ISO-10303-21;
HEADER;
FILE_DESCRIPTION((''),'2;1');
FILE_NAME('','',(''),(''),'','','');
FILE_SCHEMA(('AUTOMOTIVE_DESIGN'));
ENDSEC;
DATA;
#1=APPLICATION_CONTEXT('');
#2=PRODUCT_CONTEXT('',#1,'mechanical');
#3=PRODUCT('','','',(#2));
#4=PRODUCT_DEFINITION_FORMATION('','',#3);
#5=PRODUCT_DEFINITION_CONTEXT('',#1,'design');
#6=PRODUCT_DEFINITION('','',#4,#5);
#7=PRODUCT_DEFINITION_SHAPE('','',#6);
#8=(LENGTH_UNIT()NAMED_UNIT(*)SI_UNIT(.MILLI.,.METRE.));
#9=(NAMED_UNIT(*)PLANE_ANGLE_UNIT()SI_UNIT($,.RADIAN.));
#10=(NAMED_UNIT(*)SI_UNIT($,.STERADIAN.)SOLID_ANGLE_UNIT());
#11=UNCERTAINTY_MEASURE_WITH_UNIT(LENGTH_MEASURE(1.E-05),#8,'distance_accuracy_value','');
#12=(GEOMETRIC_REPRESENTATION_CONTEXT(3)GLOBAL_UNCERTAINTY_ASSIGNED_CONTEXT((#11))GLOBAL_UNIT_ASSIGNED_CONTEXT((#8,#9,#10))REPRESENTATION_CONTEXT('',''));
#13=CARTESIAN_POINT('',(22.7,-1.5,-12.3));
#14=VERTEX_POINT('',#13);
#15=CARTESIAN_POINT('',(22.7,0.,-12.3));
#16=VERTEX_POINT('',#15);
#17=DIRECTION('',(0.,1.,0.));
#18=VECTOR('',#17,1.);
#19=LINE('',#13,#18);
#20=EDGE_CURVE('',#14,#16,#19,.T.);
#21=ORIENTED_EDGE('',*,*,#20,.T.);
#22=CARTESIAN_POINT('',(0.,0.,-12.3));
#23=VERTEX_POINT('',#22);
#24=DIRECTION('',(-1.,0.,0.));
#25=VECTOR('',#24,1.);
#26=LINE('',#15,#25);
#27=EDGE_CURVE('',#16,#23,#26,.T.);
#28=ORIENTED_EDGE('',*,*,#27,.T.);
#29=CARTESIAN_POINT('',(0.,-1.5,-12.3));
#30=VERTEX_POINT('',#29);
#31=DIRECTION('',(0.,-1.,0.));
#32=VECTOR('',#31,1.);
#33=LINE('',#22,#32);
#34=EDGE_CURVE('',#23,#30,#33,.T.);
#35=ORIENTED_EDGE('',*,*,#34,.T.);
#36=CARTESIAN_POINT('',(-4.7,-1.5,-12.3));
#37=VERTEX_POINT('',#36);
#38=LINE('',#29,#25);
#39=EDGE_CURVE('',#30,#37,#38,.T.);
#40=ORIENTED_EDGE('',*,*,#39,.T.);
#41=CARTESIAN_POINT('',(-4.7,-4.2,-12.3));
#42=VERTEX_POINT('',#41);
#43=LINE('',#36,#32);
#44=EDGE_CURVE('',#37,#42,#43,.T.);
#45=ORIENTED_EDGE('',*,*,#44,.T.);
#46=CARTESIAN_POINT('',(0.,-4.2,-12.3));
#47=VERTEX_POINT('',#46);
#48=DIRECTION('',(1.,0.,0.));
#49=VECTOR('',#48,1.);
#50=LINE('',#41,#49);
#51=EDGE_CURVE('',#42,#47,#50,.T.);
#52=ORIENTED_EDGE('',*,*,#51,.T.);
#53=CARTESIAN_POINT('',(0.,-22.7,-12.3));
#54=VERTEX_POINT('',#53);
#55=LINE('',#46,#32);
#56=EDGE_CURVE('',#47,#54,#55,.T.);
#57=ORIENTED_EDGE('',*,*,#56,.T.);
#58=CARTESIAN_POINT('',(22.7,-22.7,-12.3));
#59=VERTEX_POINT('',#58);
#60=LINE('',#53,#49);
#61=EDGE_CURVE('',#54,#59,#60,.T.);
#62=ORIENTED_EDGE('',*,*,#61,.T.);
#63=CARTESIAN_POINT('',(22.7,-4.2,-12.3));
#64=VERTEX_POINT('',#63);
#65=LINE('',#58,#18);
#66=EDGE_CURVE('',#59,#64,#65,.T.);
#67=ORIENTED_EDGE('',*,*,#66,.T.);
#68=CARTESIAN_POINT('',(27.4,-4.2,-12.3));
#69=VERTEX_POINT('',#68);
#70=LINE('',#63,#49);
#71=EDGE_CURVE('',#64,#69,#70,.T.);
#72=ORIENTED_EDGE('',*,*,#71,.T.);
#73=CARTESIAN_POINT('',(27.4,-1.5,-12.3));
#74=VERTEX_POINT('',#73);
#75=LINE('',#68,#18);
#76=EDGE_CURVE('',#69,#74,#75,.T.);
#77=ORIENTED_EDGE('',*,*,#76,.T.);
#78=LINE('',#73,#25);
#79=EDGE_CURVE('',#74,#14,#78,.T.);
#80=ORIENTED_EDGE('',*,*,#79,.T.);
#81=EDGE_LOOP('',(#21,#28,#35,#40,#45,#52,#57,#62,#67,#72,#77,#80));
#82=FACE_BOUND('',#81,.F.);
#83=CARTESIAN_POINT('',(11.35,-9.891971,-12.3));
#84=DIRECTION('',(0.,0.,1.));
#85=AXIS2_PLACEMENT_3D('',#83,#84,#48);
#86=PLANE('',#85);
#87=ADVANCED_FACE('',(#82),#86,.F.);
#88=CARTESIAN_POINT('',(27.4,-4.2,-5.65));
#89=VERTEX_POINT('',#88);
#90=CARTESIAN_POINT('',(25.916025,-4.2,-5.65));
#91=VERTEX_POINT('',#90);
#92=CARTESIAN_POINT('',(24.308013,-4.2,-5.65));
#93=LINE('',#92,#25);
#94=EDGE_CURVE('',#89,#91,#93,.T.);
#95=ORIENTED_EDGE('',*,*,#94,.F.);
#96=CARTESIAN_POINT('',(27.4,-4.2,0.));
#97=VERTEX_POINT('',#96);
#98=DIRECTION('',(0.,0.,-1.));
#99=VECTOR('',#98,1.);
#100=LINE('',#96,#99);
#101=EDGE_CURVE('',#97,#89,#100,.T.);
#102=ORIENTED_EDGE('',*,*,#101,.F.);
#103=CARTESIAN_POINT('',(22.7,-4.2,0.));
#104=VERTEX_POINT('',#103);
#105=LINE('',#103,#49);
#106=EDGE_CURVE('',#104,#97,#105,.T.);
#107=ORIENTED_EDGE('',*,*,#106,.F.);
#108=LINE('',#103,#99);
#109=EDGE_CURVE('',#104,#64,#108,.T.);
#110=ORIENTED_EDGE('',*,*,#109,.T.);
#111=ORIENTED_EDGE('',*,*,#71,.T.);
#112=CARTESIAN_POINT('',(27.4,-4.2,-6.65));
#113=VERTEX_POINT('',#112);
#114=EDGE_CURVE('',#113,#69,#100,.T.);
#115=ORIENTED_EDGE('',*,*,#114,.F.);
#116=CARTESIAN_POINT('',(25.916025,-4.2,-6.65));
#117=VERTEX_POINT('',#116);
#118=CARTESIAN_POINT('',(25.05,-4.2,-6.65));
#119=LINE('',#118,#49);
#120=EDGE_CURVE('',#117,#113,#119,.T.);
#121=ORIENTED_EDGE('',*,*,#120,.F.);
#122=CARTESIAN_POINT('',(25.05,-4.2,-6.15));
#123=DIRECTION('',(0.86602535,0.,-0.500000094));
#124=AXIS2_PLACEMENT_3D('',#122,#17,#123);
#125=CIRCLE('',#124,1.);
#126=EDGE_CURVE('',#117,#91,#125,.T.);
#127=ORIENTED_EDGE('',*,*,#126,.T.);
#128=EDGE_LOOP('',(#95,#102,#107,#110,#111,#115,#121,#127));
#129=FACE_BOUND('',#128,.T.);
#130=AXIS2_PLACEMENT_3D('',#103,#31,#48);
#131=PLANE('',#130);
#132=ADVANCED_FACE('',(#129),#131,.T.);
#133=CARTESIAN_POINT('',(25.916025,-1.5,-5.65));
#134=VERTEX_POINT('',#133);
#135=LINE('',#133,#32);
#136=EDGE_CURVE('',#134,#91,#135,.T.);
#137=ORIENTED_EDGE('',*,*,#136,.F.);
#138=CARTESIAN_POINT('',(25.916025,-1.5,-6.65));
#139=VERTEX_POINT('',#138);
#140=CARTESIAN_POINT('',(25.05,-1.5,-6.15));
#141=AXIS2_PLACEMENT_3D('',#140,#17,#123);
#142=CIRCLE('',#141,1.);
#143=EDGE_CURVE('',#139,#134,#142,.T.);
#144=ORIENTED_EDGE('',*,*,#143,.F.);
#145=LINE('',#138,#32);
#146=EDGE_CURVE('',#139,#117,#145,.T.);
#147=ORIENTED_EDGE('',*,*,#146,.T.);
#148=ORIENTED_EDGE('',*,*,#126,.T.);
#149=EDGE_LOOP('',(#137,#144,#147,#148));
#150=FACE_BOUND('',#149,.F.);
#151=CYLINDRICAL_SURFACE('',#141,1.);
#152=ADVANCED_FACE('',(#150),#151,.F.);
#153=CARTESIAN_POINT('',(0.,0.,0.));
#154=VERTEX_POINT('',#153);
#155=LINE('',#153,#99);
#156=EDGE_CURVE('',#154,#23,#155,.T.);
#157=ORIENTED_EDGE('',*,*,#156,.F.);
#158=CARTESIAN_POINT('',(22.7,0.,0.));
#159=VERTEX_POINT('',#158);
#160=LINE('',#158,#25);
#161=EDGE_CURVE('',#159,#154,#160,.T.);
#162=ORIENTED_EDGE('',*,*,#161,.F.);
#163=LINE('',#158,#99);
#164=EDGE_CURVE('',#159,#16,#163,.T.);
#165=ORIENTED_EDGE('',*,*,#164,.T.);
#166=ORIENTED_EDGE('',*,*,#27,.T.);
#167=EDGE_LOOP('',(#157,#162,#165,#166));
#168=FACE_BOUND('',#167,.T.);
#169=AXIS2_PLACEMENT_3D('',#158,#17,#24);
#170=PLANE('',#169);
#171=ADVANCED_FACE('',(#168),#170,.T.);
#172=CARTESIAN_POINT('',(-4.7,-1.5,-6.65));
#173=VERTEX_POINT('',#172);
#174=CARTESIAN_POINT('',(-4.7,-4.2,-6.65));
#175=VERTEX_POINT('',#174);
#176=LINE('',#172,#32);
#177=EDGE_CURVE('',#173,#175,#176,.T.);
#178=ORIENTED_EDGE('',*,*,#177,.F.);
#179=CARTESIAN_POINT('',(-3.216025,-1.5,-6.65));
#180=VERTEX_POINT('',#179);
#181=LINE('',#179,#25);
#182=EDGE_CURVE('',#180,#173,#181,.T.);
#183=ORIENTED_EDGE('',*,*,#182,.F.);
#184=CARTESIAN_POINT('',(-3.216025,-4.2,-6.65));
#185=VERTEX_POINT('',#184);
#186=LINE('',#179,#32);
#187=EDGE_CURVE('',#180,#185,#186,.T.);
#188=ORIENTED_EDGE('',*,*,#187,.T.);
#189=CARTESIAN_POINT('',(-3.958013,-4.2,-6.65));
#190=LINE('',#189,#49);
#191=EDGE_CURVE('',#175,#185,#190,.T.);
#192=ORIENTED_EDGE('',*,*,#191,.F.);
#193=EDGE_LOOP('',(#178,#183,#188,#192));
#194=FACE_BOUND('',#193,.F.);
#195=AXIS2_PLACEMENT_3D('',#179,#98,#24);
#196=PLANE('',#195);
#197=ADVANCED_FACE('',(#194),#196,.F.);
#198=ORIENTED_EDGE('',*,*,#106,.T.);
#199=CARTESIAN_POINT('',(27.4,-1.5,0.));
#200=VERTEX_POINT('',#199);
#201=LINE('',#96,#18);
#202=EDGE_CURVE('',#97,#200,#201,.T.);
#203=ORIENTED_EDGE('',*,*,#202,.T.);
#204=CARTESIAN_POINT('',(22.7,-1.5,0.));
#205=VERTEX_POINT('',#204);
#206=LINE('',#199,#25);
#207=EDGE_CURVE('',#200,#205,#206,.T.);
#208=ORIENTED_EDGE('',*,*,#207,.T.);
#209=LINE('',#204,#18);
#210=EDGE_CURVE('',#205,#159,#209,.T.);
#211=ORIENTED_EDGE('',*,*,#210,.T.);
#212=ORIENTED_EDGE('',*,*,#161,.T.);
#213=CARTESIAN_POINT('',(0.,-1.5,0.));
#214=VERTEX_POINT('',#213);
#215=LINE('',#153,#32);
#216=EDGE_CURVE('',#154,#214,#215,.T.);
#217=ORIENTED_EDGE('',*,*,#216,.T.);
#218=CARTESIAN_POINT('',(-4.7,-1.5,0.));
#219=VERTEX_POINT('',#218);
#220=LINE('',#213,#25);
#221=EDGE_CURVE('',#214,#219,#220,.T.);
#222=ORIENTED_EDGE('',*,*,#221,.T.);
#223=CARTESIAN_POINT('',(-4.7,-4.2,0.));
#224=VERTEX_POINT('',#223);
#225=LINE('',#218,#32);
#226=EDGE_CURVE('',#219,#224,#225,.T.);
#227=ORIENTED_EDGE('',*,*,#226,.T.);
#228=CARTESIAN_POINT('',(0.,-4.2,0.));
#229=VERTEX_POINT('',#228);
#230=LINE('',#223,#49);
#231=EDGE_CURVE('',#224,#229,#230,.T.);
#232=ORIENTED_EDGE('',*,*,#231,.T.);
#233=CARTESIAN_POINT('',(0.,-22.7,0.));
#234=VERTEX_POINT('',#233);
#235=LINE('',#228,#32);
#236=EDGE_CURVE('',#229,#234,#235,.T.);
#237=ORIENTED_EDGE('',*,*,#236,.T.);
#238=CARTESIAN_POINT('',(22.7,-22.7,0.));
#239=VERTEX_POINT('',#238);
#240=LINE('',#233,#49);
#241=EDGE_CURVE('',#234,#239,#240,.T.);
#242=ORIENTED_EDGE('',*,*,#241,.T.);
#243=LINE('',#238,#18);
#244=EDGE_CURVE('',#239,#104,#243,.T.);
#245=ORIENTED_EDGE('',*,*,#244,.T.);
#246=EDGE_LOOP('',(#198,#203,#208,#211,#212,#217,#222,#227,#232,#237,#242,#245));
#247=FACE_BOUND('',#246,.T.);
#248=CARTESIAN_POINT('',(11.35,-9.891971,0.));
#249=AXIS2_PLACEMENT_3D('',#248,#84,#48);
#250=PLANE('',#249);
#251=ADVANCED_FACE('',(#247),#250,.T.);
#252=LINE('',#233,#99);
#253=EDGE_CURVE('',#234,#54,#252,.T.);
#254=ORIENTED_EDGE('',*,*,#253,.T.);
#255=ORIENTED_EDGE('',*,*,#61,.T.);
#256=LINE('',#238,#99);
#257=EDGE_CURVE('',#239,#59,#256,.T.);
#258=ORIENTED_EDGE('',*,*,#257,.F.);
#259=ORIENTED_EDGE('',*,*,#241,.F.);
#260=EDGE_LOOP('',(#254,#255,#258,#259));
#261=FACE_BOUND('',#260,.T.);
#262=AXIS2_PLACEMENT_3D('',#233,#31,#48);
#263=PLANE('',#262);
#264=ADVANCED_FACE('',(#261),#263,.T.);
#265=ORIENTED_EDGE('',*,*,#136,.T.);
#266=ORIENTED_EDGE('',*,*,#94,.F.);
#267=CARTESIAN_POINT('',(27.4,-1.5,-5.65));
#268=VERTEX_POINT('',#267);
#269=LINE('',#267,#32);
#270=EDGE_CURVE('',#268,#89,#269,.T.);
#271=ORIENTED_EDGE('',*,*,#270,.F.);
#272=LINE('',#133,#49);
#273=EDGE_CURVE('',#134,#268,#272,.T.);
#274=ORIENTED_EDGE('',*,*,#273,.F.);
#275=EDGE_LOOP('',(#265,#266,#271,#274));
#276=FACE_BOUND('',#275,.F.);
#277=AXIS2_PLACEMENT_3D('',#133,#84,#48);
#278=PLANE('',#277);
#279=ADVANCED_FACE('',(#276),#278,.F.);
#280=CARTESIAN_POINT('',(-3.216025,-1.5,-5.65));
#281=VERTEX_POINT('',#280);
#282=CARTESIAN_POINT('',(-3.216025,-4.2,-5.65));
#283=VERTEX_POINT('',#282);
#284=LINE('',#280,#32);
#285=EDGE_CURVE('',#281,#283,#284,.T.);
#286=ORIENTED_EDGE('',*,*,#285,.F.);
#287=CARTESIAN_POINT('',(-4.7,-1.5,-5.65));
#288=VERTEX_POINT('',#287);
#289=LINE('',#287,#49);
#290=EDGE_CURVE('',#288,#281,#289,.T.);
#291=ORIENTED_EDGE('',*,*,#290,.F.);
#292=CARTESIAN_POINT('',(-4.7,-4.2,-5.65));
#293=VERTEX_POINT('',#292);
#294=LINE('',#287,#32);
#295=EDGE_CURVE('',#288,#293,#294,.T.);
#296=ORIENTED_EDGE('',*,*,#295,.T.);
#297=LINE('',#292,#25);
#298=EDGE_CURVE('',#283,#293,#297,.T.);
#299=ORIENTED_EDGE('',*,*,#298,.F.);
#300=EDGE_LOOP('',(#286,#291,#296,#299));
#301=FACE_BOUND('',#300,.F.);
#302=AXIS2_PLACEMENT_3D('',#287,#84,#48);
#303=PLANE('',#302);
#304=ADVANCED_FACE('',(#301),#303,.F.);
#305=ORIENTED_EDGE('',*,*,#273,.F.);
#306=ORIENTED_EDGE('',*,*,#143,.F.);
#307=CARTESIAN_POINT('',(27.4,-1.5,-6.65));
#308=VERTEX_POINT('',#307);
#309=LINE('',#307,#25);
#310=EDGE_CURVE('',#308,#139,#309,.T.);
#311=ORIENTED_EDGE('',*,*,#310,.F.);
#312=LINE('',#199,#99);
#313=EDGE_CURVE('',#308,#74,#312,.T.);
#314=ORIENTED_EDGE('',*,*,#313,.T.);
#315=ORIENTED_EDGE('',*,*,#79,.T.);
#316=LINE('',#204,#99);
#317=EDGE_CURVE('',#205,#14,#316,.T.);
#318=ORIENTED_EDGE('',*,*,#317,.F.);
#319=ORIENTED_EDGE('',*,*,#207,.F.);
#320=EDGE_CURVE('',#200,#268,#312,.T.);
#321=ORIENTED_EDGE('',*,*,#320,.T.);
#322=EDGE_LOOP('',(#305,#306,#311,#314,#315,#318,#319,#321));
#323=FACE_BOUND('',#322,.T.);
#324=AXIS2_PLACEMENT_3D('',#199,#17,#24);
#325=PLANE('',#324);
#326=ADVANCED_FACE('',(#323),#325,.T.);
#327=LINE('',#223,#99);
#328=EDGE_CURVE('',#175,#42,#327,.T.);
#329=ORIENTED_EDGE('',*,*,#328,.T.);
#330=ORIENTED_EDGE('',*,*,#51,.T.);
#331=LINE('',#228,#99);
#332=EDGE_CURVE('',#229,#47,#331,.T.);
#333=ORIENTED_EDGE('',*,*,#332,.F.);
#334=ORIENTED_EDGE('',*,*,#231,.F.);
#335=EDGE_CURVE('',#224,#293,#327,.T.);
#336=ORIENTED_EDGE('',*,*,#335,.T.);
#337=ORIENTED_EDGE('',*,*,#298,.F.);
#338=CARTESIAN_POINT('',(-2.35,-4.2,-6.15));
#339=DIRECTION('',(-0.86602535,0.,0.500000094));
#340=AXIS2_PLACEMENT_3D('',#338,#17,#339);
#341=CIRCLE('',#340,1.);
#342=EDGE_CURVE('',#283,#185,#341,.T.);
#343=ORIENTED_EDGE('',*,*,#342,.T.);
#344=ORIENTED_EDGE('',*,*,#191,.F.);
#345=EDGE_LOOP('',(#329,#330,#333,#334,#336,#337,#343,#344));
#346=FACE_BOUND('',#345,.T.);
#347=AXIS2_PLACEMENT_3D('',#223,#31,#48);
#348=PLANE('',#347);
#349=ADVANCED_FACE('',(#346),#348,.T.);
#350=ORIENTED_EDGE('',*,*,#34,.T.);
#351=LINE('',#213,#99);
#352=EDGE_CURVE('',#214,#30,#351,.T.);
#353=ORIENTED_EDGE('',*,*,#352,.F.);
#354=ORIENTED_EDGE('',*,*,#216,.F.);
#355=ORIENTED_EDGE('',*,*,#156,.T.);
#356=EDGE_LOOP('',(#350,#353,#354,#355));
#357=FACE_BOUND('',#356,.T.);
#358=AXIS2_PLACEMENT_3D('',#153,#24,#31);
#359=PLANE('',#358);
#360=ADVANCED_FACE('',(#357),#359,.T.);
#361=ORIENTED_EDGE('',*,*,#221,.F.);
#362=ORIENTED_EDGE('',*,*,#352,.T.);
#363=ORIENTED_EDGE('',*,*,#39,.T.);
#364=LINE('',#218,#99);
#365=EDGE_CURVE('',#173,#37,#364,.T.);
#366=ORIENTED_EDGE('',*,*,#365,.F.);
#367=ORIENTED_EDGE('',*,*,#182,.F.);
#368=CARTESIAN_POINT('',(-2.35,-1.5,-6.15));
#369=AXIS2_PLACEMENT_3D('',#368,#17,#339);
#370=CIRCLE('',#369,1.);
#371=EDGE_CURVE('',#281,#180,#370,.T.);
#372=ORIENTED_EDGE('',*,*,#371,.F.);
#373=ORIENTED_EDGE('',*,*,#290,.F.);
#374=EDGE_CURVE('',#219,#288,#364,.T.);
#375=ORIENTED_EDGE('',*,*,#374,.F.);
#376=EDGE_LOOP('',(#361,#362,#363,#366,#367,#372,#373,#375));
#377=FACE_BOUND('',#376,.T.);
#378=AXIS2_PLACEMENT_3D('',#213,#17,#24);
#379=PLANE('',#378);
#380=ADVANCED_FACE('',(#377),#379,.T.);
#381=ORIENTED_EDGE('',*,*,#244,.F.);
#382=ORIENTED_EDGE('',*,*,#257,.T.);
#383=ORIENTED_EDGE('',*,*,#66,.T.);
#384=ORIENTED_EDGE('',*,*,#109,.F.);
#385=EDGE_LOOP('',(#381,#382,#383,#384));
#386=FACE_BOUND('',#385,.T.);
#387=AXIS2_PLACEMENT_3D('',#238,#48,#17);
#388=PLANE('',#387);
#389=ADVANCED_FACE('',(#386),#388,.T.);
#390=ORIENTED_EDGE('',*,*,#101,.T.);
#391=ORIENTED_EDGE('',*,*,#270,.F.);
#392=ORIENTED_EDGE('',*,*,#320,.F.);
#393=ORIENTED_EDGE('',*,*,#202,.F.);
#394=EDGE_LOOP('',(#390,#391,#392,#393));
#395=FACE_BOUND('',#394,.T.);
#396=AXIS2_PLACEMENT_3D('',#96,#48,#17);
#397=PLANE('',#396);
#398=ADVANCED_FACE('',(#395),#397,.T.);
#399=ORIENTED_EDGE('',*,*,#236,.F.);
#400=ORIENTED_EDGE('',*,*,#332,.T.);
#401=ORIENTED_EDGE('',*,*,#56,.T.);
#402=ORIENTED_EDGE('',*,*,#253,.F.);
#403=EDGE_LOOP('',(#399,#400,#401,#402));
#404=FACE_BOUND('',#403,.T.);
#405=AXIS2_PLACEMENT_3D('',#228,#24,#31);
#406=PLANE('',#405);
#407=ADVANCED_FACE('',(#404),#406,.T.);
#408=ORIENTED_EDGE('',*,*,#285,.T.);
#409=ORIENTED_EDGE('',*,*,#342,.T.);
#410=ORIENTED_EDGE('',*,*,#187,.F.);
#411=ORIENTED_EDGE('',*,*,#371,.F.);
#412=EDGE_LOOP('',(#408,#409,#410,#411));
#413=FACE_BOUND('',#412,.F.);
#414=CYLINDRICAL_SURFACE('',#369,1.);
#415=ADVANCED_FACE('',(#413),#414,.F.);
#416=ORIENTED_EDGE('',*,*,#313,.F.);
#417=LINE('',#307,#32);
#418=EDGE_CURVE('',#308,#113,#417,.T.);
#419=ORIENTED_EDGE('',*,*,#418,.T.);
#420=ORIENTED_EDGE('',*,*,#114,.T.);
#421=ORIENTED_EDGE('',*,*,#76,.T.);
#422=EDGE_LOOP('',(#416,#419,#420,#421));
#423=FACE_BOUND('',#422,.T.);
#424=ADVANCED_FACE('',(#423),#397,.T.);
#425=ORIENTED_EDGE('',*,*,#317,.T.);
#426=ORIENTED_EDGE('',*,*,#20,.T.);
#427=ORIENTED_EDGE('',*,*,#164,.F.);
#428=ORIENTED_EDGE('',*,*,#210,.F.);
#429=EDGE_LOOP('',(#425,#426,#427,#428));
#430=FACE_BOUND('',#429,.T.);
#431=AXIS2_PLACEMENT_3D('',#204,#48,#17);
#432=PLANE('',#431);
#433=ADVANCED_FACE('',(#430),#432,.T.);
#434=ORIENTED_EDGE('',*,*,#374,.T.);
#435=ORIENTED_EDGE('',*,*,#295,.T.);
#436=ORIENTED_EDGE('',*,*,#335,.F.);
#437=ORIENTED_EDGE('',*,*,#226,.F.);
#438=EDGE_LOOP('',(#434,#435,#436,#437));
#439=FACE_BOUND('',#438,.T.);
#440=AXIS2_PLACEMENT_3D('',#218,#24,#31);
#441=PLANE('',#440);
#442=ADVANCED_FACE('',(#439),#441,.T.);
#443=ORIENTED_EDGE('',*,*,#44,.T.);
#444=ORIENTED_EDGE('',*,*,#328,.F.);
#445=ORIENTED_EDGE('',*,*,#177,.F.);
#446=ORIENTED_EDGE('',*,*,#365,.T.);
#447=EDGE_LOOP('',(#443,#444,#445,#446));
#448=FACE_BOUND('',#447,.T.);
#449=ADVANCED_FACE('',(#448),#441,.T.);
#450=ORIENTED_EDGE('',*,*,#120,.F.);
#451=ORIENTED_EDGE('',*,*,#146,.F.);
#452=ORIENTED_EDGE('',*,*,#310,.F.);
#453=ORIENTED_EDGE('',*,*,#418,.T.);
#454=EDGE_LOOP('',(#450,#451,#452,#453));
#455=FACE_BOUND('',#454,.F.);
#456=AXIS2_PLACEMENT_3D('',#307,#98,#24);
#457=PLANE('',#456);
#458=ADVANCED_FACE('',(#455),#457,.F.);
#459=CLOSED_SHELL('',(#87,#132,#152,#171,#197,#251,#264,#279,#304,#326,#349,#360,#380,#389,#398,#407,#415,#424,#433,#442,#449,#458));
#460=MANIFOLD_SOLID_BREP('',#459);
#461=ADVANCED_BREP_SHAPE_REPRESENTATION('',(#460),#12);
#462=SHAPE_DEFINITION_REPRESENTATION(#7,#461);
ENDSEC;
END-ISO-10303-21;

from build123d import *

# Parameters (mm, degrees)
EXTRUSION2_CUT_DEPTH = 12.3
EXTRUSION1_DEPTH     = 12.3


with BuildPart() as extrusion2_cut:
    # Sketch2_bp → Extrusion2_Cut (new body)
    with BuildSketch(Plane(origin=(22.7, -1.5, 0), x_dir=(1, 0, 0), z_dir=(0, 1, 0))):
        with BuildLine():
            Line((-25.916025, 6.65), (-27.4, 6.65))
            Line((-27.4, 6.65), (-27.4, 5.65))
            Line((-27.4, 5.65), (-25.916025, 5.65))
            ThreePointArc((-25.916025, 5.65), (-24.05, 6.15), (-25.916025, 6.65))
        make_face()
        with BuildLine():
            Line((3.216025, 5.65), (4.7, 5.65))
            Line((4.7, 5.65), (4.7, 6.65))
            Line((4.7, 6.65), (3.216025, 6.65))
            ThreePointArc((3.216025, 6.65), (1.35, 6.15), (3.216025, 5.65))
        make_face()
    extrude(amount=-EXTRUSION2_CUT_DEPTH)


with BuildPart() as extrusion2:
    # Sketch1_bp → Extrusion1 (new body)
    with BuildSketch(Plane.XY):
        Polygon((22.7, -22.7), (22.7, -4.2), (27.4, -4.2), (27.4, -1.5), (22.7, -1.5), (22.7, 0), (0, 0), (0, -1.5), (-4.7, -1.5), (-4.7, -4.2), (0, -4.2), (0, -22.7), align=None)
    extrude(amount=-EXTRUSION1_DEPTH)

    # Extrusion2: cut Extrusion2_Cut
    add(extrusion2_cut.part, mode=Mode.SUBTRACT)


solid = extrusion2.part
